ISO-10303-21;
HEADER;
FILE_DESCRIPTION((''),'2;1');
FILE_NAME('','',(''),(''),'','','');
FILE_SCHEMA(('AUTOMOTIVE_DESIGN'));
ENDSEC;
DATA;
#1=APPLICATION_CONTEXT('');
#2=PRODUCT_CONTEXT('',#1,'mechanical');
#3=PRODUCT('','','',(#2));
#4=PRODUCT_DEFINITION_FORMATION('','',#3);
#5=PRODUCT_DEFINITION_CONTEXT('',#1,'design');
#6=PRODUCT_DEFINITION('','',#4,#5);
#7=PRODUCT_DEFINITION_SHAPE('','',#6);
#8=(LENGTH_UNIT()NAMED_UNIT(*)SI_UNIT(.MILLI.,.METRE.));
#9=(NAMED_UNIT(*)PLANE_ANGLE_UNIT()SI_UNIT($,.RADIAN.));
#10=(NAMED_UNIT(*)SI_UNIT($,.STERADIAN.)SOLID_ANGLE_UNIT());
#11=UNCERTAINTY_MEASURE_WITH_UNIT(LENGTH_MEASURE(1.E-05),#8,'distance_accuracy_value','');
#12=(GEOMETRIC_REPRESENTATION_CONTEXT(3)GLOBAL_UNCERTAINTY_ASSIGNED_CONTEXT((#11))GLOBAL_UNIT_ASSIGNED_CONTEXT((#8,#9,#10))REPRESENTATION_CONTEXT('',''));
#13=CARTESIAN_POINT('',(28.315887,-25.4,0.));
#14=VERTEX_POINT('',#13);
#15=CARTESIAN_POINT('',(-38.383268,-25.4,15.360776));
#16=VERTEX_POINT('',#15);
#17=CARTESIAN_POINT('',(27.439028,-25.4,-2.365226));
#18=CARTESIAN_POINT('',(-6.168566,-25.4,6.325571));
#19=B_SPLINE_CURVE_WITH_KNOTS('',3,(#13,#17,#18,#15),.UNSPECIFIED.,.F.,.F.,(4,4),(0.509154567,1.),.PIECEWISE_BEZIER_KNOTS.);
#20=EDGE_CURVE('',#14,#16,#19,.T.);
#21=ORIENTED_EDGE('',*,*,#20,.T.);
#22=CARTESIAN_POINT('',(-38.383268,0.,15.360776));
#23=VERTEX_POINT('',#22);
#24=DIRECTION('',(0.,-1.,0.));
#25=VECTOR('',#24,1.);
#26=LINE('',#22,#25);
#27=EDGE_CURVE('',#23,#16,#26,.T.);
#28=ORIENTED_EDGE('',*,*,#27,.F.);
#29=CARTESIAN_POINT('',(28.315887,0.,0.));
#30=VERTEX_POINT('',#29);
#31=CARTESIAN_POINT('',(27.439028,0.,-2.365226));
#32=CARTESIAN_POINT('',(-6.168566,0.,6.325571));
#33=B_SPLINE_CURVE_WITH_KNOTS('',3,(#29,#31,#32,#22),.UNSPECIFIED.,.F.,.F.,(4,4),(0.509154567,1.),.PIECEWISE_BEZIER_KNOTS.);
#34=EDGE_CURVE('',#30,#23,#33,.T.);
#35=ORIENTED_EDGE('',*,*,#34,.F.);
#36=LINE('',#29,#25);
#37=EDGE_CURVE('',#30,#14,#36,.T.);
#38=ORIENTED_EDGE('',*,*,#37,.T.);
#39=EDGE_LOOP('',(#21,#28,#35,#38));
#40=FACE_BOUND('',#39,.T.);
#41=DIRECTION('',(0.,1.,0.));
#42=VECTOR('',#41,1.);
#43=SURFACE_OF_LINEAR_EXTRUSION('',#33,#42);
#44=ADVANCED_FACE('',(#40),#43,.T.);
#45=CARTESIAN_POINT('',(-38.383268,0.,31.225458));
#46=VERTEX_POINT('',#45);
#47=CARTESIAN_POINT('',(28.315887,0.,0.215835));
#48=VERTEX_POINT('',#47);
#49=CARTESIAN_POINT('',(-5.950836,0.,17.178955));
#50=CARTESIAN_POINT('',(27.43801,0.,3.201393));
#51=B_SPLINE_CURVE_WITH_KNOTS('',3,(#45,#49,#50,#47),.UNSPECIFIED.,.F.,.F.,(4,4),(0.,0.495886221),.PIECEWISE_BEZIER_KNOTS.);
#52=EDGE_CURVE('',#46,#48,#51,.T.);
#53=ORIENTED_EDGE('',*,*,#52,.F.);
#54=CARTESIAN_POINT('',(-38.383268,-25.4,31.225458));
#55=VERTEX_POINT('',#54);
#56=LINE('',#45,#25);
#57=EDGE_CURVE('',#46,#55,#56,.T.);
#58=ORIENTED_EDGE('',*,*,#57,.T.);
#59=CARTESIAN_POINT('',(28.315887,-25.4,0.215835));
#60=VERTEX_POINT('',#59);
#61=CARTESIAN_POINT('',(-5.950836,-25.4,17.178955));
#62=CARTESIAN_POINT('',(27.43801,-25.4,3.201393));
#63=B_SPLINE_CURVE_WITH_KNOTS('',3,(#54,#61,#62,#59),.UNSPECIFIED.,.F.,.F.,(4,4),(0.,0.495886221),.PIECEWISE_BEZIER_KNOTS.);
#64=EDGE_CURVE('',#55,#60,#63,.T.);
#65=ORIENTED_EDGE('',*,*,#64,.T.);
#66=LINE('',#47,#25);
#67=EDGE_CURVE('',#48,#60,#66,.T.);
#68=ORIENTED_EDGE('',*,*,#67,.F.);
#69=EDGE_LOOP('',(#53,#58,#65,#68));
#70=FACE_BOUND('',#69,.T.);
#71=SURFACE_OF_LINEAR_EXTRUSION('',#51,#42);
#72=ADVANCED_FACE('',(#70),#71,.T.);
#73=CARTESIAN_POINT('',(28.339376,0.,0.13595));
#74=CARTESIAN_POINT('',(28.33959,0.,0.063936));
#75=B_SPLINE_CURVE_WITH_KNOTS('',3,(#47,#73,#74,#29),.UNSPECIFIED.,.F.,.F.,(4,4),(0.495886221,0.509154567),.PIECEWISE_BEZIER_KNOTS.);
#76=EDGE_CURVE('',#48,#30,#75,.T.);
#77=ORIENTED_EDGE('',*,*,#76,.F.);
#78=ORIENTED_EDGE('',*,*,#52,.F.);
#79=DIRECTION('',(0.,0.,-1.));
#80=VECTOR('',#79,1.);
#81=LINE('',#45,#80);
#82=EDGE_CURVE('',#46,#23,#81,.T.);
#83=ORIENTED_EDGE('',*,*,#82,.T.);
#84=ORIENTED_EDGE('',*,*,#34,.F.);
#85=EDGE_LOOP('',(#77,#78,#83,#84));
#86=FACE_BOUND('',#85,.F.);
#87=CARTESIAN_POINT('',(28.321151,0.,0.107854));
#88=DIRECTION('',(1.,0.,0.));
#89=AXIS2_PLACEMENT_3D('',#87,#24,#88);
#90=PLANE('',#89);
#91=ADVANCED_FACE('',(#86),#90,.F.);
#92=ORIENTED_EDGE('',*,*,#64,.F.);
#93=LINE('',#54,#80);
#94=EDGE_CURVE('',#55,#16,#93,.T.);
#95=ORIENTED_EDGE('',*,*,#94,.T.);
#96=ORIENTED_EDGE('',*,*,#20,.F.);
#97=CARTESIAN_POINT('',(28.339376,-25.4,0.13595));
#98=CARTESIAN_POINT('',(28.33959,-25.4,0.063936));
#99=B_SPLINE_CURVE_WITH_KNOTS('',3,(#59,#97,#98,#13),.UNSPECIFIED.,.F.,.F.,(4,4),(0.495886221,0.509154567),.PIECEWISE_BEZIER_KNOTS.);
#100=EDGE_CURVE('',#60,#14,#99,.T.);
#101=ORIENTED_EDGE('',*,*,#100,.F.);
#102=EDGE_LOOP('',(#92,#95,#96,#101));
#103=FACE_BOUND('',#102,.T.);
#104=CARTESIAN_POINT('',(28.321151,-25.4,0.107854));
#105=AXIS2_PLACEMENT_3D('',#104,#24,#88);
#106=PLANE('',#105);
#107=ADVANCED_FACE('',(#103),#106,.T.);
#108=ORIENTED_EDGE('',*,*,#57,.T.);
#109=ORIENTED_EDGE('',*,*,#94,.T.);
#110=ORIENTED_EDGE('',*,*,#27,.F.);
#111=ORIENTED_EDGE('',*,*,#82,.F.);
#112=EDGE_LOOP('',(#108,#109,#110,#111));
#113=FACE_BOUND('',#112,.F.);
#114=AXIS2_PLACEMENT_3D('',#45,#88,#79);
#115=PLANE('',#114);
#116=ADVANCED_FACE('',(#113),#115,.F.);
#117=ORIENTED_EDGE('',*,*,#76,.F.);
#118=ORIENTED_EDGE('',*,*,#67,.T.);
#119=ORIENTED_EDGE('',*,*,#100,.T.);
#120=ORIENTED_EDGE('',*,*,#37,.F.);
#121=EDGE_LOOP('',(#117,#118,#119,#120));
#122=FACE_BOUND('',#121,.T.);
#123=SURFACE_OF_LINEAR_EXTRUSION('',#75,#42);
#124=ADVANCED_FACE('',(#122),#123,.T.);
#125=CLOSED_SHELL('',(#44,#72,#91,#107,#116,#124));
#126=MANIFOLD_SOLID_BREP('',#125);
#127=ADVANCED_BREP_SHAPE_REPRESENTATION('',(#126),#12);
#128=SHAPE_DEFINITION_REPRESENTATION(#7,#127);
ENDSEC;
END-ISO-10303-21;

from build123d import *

# Parameters (mm, degrees)
F1_DEPTH = 25.4


with BuildPart() as f1:
    # F0 (on Front) → F1 (new body)
    with BuildSketch(Plane.XZ):
        with BuildLine():
            Line((28.3158868551, 0.2158345612), (28.3158868551, 0))
            add(Edge.make_bspline(
                [(28.3158868551, 0.2158345612), (28.3393760729, 0.1359504749), (28.339589773, 0.0639358739), (28.3158868551, 0)],
                knots=[0.4958862214, 0.4958862214, 0.4958862214, 0.4958862214, 0.5091545666, 0.5091545666, 0.5091545666, 0.5091545666], degree=3))
        make_face()
        with BuildLine():
            add(Edge.make_bspline(
                [(28.3158868551, 0), (27.4390277742, -2.3652257446), (-6.1685657277, 6.3255713055), (-38.3832678199, 15.360776335)],
                knots=[0.5091545666, 0.5091545666, 0.5091545666, 0.5091545666, 1, 1, 1, 1], degree=3))
            Line((28.3158868551, 0), (28.3158868551, 0.2158345612))
            add(Edge.make_bspline(
                [(-38.3832678199, 31.2254577875), (-5.950836298, 17.1789552338), (27.4380095262, 3.2013928226), (28.3158868551, 0.2158345612)],
                knots=[0, 0, 0, 0, 0.4958862214, 0.4958862214, 0.4958862214, 0.4958862214], degree=3))
            Line((-38.3832678199, 31.2254577875), (-38.3832678199, 25.0950045884))
            Line((-38.3832678199, 25.0950045884), (-38.3832678199, 15.360776335))
        make_face()
    extrude(amount=F1_DEPTH)


solid = f1.part
